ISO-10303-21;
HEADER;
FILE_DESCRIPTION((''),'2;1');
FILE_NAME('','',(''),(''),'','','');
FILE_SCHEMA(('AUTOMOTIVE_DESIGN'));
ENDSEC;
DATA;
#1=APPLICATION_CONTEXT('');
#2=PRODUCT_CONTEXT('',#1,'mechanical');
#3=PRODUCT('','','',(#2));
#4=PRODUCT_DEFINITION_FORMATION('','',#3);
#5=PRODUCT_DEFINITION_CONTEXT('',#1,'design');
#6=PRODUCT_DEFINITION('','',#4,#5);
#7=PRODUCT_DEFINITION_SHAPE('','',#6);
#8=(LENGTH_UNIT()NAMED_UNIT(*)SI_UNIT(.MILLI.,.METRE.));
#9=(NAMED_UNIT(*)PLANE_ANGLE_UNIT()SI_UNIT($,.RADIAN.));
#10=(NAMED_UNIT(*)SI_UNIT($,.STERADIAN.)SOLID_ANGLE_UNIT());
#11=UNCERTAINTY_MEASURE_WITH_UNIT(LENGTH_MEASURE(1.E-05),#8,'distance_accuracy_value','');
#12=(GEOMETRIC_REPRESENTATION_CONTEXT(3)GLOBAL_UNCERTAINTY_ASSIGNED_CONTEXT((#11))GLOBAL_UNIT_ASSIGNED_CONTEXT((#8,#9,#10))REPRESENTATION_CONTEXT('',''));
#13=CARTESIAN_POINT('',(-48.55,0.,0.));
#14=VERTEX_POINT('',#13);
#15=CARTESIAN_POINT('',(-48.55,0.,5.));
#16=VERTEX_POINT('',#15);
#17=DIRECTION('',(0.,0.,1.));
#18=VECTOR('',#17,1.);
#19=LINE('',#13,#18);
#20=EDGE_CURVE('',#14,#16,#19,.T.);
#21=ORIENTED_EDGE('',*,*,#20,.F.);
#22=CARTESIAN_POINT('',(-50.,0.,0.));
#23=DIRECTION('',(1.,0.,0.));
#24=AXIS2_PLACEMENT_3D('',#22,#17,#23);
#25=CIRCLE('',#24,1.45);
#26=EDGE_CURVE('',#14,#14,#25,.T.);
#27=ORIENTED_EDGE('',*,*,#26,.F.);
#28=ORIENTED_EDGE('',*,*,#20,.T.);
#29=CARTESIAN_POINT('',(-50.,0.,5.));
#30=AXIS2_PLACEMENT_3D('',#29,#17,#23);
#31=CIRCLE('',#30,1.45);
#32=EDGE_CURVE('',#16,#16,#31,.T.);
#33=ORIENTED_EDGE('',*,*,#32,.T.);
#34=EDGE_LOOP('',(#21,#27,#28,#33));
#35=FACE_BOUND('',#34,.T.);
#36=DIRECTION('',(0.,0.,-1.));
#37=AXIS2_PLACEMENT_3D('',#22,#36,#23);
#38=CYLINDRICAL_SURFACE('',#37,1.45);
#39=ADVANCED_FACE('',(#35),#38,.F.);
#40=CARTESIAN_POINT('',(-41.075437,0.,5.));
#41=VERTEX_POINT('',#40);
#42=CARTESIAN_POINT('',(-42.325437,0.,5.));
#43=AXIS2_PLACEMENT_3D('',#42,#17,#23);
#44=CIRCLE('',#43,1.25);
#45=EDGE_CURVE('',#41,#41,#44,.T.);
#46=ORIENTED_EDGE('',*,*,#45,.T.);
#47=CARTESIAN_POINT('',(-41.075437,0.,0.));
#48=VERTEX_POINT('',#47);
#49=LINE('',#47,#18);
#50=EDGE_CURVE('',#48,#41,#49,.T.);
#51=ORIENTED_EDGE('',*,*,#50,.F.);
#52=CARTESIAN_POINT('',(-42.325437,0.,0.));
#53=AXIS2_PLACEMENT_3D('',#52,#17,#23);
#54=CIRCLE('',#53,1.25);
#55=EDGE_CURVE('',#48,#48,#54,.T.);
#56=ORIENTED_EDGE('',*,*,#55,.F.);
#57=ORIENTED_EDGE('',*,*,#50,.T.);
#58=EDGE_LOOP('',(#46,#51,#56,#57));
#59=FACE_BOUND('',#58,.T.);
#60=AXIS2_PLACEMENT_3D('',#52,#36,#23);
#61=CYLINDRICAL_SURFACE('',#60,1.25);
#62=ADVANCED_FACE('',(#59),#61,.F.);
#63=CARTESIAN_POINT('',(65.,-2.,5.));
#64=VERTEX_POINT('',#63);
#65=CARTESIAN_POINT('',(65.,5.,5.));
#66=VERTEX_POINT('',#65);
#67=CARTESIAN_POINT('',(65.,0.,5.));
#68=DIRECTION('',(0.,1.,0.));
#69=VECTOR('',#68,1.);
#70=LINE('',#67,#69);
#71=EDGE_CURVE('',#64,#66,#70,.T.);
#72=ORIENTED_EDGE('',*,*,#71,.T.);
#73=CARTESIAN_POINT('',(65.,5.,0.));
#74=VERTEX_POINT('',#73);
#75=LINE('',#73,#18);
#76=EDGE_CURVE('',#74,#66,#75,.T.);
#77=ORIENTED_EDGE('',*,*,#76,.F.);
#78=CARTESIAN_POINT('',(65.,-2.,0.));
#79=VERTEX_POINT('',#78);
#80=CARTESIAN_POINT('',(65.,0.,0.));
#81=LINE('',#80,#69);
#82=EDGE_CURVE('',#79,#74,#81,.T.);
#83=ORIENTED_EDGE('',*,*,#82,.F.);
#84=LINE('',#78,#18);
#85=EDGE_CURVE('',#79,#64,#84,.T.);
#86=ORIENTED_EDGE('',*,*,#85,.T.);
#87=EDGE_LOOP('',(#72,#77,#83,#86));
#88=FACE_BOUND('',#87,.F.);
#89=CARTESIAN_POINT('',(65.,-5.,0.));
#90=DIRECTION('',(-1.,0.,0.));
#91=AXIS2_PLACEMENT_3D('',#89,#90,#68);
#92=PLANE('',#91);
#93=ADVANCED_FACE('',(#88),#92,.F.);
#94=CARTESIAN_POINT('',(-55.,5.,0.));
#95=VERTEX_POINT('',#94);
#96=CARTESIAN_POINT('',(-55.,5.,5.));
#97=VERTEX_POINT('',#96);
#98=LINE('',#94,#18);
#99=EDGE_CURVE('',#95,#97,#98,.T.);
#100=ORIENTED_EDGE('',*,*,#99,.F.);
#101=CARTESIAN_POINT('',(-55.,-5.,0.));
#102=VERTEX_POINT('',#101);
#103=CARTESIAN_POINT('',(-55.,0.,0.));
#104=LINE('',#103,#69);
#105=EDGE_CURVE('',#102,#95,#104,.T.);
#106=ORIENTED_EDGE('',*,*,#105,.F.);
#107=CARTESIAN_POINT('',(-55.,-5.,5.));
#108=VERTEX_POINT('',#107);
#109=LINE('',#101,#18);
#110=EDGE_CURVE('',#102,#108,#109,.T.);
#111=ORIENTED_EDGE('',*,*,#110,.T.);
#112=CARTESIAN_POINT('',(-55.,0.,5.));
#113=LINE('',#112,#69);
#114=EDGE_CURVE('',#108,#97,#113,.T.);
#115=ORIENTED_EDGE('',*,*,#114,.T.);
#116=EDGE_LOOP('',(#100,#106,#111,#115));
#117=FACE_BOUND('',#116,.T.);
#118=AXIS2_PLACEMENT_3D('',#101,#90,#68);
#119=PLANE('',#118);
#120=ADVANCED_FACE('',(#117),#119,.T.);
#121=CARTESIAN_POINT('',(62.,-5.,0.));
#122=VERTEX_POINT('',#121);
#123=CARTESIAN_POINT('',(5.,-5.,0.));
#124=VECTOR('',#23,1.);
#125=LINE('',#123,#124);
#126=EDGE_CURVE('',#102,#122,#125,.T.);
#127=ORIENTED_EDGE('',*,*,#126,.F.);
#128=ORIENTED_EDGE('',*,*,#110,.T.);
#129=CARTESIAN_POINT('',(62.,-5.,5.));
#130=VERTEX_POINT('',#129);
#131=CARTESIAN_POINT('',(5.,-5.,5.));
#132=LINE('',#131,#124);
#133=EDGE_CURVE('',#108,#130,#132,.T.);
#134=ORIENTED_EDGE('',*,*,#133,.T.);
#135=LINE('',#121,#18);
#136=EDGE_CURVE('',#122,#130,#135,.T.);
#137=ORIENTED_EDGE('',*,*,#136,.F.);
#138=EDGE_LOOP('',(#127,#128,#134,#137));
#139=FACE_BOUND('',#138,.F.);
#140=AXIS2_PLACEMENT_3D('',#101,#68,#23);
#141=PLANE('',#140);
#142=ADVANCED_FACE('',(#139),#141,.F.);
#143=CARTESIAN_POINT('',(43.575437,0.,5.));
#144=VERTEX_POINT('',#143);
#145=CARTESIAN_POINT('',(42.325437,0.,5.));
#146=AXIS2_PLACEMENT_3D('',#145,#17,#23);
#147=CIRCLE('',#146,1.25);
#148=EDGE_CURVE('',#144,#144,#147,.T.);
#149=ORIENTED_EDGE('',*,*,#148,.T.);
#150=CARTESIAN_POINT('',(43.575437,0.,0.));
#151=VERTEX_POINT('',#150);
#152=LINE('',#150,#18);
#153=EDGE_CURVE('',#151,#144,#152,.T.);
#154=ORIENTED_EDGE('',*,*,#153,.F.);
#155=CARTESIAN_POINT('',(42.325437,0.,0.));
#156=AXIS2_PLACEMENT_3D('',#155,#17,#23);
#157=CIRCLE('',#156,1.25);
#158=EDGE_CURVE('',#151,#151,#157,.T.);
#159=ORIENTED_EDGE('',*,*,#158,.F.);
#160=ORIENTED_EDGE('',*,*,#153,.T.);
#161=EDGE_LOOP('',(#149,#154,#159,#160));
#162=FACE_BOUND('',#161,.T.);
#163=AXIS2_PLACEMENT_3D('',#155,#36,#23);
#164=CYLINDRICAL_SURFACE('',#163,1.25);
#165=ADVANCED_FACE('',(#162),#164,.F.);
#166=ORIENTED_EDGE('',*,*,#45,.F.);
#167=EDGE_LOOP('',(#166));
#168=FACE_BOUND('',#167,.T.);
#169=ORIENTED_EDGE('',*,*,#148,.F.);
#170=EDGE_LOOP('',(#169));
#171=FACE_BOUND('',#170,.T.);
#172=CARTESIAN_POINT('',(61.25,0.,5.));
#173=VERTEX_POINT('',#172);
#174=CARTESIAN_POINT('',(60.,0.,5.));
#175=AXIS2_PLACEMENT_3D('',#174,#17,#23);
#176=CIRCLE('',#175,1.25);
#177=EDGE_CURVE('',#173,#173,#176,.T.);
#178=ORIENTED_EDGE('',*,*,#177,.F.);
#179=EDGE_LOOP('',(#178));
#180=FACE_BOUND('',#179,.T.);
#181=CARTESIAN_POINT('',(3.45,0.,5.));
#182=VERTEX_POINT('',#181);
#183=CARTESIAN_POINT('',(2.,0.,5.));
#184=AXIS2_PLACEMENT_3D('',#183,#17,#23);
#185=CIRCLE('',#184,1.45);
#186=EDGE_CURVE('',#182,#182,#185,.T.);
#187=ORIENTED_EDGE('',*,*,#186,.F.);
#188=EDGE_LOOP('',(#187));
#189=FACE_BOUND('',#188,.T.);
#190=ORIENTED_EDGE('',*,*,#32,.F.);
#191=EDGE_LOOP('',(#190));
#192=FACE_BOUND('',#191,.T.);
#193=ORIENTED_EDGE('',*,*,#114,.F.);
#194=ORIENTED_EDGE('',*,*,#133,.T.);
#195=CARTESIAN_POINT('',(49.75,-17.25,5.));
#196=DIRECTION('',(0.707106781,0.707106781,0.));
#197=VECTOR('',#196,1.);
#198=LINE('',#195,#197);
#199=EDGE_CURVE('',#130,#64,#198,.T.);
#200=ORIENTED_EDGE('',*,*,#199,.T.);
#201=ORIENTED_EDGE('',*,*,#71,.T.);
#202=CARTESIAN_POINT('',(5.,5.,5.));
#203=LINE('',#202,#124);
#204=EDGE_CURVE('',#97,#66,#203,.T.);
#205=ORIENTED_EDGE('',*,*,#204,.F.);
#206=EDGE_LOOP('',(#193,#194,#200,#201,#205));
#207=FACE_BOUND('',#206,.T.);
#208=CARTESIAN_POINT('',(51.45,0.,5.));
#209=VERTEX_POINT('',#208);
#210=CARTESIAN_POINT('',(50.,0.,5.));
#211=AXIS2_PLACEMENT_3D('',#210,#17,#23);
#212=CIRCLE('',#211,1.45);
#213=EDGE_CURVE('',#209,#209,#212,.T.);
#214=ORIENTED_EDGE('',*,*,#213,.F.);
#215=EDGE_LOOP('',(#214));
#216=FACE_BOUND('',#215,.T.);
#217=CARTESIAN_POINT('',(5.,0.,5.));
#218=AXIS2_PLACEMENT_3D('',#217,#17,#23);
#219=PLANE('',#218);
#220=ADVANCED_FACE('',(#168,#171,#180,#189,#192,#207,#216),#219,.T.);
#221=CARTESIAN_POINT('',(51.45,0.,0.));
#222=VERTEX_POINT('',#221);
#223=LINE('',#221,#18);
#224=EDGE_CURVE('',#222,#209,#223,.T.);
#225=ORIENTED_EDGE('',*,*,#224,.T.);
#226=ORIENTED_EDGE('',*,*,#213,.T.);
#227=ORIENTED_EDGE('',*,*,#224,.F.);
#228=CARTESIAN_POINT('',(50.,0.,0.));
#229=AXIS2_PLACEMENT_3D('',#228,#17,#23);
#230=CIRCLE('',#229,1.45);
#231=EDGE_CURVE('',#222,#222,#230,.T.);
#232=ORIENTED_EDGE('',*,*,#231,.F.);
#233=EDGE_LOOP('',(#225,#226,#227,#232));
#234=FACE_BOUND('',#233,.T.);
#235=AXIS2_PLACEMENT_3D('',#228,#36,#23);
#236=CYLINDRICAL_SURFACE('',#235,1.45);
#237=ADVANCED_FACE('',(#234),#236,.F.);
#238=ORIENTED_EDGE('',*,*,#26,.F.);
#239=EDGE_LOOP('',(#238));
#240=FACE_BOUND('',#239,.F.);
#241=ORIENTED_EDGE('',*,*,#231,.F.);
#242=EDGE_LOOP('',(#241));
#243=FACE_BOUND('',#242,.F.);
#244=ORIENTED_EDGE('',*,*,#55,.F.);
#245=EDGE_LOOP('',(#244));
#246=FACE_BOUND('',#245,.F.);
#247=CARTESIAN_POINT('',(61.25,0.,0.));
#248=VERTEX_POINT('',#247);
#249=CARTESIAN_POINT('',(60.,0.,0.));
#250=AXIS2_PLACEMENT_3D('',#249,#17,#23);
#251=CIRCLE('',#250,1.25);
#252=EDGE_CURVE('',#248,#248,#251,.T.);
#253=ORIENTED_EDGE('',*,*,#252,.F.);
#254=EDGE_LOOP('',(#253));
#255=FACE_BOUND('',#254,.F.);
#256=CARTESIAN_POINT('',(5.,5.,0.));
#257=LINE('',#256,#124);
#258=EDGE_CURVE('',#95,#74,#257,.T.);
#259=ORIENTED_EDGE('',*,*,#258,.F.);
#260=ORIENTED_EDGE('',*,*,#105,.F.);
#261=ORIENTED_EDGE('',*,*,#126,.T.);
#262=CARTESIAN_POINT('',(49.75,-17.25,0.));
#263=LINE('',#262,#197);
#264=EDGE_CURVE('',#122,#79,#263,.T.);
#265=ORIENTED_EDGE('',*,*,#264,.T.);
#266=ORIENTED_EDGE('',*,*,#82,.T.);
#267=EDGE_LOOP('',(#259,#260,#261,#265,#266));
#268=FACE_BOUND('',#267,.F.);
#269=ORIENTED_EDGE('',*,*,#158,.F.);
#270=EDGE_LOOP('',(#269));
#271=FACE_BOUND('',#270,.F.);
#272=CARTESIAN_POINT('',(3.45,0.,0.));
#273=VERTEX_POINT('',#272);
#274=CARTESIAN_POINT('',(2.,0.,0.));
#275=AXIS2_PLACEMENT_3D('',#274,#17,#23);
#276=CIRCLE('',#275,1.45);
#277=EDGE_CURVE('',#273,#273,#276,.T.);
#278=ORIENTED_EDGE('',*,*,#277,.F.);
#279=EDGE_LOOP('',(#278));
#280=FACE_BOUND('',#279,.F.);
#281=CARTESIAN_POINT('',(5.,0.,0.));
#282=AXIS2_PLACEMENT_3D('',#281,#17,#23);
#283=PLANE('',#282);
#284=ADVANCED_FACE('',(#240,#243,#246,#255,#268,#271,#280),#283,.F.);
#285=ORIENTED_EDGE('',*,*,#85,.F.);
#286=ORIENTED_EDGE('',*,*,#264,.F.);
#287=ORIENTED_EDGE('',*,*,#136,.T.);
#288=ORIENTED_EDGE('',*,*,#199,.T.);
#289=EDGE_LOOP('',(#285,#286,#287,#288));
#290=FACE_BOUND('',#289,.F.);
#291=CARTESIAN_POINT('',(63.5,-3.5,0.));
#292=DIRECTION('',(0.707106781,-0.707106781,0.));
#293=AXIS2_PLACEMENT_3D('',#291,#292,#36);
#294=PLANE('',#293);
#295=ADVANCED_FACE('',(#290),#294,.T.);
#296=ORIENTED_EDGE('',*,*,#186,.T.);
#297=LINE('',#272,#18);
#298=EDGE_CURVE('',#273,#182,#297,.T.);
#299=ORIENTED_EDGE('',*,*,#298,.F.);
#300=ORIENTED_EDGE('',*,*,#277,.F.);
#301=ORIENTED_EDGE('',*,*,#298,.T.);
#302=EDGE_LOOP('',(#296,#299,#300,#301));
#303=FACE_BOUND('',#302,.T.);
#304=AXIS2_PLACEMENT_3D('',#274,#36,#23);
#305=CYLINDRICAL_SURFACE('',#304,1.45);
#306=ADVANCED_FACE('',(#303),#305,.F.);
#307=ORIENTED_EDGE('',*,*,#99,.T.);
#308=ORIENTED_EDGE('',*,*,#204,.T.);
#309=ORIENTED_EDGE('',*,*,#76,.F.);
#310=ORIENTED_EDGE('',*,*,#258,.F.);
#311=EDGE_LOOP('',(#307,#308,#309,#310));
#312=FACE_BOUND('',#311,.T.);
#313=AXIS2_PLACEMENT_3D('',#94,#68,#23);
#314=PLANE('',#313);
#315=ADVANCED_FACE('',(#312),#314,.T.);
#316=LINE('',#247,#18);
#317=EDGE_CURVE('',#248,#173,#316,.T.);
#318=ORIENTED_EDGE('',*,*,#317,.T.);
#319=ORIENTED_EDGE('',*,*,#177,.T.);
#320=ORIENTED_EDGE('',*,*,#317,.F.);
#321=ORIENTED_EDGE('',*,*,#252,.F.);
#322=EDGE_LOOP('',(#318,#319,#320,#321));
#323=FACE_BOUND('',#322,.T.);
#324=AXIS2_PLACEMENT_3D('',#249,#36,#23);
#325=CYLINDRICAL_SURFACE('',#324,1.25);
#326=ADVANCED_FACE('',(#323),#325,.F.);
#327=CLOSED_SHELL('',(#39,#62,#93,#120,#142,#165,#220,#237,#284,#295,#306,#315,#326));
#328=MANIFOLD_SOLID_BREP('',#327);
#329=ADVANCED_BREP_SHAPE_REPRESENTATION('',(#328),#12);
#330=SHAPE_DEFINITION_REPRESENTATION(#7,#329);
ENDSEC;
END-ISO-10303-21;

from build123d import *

# Parameters (mm, degrees)
F0_W     = 120
F0_H     = 10
F0_R     = 1.45
F0_R_2   = 1.25
F1_DEPTH = 5
F2_SIZE  = 3


with BuildPart() as f1:
    # F0 (on Top) → F1 (new body)
    with BuildSketch(Plane.XY):
        with Locations((5, 0)):
            Rectangle(F0_W, F0_H)
        with Locations((-50, 0)):
            Circle(F0_R, mode=Mode.SUBTRACT)
        with Locations((-42.325437, 0)):
            Circle(F0_R_2, mode=Mode.SUBTRACT)
        with Locations((2, 0)):
            Circle(F0_R, mode=Mode.SUBTRACT)
        with Locations((42.325437, 0)):
            Circle(F0_R_2, mode=Mode.SUBTRACT)
        with Locations((50, 0)):
            Circle(F0_R, mode=Mode.SUBTRACT)
        with Locations((60, 0)):
            Circle(F0_R_2, mode=Mode.SUBTRACT)
    extrude(amount=F1_DEPTH)

    # F2
    f2_edges = [f1.edges().sort_by_distance(p)[0] for p in [
        (65, -5, 2.5),
    ]]
    chamfer(f2_edges, length=F2_SIZE)


solid = f1.part
